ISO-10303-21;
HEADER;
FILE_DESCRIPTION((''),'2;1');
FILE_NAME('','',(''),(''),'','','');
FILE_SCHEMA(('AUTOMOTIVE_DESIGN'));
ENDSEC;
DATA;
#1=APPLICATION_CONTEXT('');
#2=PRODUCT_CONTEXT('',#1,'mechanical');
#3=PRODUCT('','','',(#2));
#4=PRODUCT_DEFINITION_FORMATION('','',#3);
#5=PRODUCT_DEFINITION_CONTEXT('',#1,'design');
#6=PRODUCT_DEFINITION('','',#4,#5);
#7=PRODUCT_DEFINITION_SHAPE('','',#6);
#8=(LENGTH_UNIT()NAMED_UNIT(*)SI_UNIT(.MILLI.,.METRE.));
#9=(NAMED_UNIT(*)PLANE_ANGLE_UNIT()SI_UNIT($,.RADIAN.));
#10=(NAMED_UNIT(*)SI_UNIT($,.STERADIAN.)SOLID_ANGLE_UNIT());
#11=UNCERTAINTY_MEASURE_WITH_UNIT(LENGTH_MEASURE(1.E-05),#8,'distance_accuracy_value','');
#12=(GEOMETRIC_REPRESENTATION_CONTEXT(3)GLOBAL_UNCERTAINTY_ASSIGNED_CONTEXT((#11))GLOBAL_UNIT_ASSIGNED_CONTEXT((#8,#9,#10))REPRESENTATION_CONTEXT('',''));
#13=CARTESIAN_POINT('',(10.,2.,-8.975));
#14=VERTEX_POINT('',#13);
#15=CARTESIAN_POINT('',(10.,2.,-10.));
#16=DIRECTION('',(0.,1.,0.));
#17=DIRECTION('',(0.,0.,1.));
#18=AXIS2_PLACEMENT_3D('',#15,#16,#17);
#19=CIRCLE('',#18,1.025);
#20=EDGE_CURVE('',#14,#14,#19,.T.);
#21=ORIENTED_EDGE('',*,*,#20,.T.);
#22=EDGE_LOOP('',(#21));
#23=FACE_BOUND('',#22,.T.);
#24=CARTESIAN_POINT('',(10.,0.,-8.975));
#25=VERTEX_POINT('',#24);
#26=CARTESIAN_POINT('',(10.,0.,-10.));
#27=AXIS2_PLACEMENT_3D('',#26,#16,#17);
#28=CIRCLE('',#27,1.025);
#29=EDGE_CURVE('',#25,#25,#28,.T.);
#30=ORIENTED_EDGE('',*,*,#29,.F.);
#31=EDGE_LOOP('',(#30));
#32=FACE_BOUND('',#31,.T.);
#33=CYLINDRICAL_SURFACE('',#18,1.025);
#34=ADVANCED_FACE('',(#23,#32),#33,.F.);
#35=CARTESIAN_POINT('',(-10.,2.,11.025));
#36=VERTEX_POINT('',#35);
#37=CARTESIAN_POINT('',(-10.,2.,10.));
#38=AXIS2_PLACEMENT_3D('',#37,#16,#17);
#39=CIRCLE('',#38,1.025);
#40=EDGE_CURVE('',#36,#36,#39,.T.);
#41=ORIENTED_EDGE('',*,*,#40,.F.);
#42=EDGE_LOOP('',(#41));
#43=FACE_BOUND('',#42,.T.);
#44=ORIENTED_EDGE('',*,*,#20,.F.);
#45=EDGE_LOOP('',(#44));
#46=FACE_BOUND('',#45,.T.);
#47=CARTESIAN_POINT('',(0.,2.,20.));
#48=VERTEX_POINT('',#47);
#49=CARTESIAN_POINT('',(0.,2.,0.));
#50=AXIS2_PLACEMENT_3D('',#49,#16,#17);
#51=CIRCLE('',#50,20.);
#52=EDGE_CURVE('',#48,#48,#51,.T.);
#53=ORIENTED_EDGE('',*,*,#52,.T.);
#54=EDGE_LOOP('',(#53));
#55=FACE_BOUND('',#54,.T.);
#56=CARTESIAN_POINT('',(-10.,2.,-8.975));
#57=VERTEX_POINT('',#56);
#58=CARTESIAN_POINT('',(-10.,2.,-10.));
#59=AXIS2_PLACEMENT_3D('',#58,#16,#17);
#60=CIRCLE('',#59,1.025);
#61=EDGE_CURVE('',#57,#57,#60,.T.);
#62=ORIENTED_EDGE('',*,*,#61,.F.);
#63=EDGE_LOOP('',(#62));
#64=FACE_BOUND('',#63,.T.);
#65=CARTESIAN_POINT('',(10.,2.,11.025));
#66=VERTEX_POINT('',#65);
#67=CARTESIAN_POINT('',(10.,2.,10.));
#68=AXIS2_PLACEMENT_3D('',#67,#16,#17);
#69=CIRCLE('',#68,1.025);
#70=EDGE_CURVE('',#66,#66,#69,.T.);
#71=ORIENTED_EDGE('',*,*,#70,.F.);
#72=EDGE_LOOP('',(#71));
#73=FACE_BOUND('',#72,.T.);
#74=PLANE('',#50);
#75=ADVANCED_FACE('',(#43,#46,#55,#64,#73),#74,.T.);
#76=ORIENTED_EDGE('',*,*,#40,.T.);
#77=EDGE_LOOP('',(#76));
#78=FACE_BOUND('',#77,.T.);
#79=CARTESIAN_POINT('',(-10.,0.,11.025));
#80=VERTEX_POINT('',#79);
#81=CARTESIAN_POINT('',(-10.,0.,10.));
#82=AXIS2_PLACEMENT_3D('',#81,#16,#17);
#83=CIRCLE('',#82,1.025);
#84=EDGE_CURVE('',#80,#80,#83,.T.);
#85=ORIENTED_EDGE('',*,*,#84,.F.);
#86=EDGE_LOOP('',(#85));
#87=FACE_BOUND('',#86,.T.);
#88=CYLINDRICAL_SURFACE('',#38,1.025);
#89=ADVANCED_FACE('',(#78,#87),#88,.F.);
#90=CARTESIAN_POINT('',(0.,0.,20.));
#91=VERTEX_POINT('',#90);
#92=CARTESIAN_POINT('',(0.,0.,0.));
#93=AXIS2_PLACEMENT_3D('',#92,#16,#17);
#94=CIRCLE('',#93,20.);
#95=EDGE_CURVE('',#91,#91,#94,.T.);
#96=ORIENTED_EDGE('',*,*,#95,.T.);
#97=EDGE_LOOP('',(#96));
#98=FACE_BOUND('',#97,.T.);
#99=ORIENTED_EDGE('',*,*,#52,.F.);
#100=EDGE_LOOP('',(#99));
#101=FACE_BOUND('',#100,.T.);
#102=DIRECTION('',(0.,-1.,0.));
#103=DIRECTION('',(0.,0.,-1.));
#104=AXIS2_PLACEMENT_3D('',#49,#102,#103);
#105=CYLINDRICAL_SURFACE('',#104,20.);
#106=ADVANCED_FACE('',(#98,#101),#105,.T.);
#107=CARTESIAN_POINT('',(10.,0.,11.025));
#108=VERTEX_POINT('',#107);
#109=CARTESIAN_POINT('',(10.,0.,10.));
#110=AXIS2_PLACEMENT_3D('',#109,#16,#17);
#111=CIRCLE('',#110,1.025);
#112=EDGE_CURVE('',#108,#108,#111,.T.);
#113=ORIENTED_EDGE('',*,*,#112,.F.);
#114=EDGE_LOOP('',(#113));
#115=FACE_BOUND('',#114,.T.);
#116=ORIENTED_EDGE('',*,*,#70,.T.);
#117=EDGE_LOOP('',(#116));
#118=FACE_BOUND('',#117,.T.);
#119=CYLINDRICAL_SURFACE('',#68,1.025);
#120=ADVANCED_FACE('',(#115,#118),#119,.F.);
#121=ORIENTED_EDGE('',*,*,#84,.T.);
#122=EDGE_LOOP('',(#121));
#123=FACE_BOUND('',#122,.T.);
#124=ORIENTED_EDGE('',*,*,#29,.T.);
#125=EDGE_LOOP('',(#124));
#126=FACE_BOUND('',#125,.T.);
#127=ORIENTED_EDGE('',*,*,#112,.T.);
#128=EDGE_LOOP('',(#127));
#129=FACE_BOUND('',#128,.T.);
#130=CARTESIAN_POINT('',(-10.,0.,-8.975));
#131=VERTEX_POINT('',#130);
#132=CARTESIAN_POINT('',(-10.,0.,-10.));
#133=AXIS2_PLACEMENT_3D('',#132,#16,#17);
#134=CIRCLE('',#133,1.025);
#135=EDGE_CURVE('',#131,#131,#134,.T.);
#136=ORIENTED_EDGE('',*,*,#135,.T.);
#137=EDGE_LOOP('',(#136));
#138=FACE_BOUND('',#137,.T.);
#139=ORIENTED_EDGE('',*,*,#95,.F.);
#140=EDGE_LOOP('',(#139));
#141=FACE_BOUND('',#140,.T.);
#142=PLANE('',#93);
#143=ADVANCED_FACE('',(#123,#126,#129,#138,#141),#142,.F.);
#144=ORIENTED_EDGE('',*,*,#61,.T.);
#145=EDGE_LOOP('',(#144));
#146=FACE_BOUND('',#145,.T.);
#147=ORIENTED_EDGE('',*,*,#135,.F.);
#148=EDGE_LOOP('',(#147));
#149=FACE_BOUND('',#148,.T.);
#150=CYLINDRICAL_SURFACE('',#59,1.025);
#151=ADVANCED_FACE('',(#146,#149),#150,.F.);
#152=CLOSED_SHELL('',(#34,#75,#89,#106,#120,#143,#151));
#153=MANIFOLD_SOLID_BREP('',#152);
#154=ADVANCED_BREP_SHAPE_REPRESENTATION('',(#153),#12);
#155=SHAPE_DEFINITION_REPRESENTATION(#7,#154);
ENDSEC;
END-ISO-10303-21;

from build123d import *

# Parameters (mm, degrees)
SKETCH_1_R          = 20
EXTRUDE_1_DEPTH     = 2
HOLE_WIZARD_M2_51_D = 2.05


with BuildPart() as part:
    # Эскиз1 → Бобышка-Вытянуть1 (new body)
    with BuildSketch(Plane(origin=(0, 0, 0), x_dir=(1, 0, 0), z_dir=(0, 1, 0))):
        with Locations(Location((0, 0, 0), (0, 0, 270))):
            Circle(SKETCH_1_R)
    extrude(amount=EXTRUDE_1_DEPTH)

    # Отверстие обработанное метчиком M2.51 (through all)
    with Locations(Plane(origin=(0, 2, 0), x_dir=(1, 0, 0), z_dir=(0, 1, 0))):
        with Locations((-10, 10), (10, 10), (-10, -10), (10, -10)):
            Hole(HOLE_WIZARD_M2_51_D / 2)


solid = part.part
